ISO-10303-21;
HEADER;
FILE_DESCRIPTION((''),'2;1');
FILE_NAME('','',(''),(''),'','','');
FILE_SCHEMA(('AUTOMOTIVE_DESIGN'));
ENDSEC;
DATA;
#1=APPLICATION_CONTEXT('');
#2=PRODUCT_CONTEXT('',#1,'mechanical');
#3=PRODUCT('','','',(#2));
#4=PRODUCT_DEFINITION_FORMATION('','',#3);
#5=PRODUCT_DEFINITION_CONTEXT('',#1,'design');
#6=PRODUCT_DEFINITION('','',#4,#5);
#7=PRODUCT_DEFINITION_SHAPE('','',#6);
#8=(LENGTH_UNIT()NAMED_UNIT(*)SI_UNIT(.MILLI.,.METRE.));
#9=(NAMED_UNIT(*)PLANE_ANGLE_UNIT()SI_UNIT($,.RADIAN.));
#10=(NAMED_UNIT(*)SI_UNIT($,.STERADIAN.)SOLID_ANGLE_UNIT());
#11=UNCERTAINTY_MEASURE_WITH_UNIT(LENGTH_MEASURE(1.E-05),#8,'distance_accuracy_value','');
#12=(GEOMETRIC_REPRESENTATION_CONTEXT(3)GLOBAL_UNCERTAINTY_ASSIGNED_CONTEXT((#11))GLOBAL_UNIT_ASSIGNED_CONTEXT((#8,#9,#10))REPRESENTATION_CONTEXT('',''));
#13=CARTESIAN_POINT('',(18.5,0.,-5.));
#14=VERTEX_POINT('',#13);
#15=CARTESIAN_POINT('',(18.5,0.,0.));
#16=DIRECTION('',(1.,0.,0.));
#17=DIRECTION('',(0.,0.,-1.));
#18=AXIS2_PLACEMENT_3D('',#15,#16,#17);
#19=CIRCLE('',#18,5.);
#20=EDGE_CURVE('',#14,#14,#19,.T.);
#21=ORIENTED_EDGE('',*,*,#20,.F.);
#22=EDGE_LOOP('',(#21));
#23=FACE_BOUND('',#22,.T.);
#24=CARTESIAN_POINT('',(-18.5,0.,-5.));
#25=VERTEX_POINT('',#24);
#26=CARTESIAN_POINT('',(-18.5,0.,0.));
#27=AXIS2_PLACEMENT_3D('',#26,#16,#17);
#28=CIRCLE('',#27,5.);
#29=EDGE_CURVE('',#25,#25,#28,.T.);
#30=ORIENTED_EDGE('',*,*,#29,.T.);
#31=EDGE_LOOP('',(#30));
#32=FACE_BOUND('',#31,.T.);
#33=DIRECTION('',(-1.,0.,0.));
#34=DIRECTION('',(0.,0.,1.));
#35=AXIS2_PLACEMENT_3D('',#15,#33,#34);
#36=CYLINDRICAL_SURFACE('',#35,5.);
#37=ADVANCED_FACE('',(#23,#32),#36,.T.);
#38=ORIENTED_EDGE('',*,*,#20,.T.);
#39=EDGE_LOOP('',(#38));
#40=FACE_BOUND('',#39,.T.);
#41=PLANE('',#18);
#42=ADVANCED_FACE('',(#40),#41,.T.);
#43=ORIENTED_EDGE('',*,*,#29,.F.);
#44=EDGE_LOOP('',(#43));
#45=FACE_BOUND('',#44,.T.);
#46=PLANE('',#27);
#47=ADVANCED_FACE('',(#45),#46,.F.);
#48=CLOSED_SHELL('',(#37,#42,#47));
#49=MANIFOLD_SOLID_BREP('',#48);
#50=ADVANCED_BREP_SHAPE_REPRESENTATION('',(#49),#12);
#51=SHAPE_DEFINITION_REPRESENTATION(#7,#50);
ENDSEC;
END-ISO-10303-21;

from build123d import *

# Parameters (mm, degrees)
SKETCH1_R           = 5
BOSS_EXTRUDE1_DEPTH = 18.5


with BuildPart() as part:
    # Sketch1 → Boss-Extrude1 (new, symmetric)
    with BuildSketch(Plane(origin=(0, 0, 0), x_dir=(0, 0, -1), z_dir=(1, 0, 0))):
        Circle(SKETCH1_R)
    extrude(amount=BOSS_EXTRUDE1_DEPTH, both=True)


solid = part.part
